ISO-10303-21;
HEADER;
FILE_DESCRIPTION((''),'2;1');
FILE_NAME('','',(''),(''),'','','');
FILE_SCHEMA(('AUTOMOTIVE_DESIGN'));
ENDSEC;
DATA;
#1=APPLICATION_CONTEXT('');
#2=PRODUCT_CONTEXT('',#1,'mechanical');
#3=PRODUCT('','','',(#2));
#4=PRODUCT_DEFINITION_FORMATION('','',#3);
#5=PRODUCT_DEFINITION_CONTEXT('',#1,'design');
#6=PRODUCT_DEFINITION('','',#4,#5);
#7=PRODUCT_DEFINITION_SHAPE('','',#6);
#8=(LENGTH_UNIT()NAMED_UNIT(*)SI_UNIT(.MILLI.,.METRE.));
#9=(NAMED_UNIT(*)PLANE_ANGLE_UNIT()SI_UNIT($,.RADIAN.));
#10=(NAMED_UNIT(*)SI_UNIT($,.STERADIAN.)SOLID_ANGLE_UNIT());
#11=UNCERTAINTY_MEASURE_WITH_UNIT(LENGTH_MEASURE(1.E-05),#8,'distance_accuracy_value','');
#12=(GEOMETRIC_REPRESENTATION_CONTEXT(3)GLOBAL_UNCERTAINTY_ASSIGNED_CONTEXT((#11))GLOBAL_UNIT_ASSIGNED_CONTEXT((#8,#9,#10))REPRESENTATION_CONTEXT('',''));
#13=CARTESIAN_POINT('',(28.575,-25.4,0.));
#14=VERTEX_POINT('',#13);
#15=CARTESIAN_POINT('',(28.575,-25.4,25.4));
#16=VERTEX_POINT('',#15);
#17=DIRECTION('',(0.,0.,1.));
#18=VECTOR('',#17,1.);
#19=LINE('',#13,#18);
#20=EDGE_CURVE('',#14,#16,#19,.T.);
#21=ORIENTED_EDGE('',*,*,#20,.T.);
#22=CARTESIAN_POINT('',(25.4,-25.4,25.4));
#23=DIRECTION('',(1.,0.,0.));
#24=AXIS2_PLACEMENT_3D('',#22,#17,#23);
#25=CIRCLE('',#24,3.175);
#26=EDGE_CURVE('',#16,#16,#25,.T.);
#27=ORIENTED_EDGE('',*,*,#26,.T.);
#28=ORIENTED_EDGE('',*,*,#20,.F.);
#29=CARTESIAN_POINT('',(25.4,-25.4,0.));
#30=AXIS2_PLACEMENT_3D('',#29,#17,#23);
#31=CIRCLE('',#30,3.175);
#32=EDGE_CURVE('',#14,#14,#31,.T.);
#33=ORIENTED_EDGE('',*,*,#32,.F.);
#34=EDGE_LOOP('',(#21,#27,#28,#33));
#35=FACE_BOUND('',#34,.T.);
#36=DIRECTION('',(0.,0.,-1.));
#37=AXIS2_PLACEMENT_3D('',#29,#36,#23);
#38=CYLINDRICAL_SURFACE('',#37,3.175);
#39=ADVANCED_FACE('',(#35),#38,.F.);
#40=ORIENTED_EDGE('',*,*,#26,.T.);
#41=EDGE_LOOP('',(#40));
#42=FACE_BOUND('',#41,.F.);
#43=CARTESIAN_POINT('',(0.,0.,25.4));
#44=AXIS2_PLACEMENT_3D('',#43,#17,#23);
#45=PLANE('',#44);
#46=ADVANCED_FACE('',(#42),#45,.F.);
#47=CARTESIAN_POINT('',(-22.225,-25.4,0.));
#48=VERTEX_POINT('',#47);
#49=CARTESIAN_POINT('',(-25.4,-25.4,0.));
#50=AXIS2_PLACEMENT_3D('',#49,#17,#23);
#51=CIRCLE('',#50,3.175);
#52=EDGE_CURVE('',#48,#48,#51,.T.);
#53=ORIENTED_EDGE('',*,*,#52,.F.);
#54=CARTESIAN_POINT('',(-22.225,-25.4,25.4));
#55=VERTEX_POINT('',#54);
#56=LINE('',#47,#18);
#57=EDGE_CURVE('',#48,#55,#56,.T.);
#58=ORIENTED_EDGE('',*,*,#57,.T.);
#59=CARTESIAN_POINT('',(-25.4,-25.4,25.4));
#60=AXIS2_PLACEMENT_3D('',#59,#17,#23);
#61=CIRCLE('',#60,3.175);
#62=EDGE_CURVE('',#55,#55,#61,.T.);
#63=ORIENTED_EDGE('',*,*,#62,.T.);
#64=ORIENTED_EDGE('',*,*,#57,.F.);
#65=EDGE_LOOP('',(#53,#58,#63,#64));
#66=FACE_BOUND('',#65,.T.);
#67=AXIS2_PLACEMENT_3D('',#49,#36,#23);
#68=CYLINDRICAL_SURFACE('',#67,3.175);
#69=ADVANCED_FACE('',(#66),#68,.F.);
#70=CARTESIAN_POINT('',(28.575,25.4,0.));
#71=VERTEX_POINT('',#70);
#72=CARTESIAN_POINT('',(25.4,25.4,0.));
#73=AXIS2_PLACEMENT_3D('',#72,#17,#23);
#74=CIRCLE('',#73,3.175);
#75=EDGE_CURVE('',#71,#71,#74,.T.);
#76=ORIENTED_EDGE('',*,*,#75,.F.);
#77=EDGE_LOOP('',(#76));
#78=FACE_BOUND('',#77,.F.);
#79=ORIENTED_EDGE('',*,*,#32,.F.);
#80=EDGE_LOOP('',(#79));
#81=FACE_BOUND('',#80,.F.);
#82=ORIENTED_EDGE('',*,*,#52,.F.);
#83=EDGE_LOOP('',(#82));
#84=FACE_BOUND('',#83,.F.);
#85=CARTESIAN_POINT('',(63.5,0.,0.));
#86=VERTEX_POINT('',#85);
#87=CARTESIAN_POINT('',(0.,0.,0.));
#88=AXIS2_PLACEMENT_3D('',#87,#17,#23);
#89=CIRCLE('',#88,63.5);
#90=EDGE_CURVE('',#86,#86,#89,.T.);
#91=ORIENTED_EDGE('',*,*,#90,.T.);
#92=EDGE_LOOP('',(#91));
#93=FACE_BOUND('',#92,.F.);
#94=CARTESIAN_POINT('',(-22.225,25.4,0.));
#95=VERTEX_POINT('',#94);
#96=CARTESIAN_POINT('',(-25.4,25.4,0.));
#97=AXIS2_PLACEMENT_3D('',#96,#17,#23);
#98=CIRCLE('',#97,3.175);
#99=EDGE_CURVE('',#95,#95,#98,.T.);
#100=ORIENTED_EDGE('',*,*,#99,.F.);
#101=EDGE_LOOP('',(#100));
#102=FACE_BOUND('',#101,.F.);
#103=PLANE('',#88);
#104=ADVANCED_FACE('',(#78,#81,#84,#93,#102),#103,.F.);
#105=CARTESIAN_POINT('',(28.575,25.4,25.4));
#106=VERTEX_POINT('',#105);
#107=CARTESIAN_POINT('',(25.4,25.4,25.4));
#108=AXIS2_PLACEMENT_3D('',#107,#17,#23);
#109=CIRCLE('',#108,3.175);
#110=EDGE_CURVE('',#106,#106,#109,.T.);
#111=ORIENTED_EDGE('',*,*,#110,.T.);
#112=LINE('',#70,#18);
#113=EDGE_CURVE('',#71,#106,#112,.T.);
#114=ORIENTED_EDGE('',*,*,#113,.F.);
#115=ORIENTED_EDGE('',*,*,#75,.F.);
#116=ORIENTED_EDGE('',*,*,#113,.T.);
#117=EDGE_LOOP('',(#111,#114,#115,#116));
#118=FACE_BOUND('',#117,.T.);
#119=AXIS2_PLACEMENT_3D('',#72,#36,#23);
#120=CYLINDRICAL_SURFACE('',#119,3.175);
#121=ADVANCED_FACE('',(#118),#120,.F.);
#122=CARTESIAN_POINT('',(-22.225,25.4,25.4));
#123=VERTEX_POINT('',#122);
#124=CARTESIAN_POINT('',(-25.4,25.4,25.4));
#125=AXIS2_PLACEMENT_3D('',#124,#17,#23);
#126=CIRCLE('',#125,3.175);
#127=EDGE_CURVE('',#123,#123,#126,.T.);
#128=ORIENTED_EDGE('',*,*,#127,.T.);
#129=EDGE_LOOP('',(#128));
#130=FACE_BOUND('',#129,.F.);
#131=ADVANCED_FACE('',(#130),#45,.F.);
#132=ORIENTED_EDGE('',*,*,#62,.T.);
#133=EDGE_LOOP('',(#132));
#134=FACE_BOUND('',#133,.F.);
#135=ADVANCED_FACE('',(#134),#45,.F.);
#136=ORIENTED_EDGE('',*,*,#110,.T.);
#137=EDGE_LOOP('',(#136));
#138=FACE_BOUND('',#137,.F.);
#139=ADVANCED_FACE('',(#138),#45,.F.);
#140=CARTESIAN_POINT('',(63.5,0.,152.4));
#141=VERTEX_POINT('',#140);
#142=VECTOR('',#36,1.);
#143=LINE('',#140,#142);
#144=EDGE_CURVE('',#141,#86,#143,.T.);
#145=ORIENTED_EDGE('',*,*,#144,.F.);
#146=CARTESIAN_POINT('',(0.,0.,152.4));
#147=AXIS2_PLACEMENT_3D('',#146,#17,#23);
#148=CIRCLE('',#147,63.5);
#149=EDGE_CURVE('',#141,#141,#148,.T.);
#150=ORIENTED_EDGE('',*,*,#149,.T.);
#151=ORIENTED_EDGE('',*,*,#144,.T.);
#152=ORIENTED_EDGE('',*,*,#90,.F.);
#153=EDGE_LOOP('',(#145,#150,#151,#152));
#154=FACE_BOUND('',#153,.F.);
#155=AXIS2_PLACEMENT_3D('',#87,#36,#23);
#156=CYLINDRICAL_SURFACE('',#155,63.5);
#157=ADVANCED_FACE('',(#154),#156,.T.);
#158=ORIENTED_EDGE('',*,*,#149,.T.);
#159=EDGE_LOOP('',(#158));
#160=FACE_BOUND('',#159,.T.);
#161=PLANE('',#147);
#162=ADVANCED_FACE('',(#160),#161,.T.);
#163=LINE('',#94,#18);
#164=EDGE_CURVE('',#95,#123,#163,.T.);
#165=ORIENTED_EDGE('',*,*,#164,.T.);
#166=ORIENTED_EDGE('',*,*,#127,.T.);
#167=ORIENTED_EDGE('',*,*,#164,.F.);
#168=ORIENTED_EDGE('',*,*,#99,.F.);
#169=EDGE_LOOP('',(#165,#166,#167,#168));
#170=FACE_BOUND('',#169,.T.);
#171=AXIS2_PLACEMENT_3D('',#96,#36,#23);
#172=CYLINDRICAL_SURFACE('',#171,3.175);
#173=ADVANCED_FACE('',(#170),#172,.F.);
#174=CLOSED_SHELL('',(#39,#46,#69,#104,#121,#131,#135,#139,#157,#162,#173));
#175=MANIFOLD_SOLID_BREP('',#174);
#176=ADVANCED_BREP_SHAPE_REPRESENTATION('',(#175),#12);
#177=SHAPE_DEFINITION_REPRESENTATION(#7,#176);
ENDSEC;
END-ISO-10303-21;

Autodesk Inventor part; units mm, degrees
ref_plane "YZ Plane" through (0, 0, 0) normal (1, 0, 0) x (0, 1, 0)
ref_plane "XZ Plane" through (0, 0, 0) normal (0, 1, 0) x (-1, 0, 0)
ref_plane "XY Plane" through (0, 0, 0) normal (0, 0, 1) x (1, 0, 0)
sketch "Sketch1" plane through (0, 0, 0) normal (0, 0, 1) x (1, 0, 0)
  circle A0 centre (0, 0) radius 63.5
  circle A1 centre (0, 0) radius 35.921 construction
  line L0 (-25.4, 25.4) -> (25.4, 25.4) construction
  line L1 (25.4, 25.4) -> (25.4, -25.4) construction
  line L2 (25.4, -25.4) -> (-25.4, -25.4) construction
  line L3 (-25.4, -25.4) -> (-25.4, 25.4) construction
  circle A2 centre (-25.4, 25.4) radius 3.175
  circle A3 centre (25.4, 25.4) radius 3.175
  circle A4 centre (25.4, -25.4) radius 3.175
  circle A5 centre (-25.4, -25.4) radius 3.175
  dimension "d0" = 127
  dimension "d2" = 6.35
  dimension "d7" = 50.8
extrude "Extrusion1" add sketch "Sketch1" along normal blind 25.4
sketch "Sketch2" plane through (0, 0, 25.4) normal (0, 0, 1) x (1, 0, 0)
  circle A0 centre (0, 0) radius 63.5
extrude "Extrusion2" add sketch "Sketch2" along normal blind 127
properties part number "Motors"
